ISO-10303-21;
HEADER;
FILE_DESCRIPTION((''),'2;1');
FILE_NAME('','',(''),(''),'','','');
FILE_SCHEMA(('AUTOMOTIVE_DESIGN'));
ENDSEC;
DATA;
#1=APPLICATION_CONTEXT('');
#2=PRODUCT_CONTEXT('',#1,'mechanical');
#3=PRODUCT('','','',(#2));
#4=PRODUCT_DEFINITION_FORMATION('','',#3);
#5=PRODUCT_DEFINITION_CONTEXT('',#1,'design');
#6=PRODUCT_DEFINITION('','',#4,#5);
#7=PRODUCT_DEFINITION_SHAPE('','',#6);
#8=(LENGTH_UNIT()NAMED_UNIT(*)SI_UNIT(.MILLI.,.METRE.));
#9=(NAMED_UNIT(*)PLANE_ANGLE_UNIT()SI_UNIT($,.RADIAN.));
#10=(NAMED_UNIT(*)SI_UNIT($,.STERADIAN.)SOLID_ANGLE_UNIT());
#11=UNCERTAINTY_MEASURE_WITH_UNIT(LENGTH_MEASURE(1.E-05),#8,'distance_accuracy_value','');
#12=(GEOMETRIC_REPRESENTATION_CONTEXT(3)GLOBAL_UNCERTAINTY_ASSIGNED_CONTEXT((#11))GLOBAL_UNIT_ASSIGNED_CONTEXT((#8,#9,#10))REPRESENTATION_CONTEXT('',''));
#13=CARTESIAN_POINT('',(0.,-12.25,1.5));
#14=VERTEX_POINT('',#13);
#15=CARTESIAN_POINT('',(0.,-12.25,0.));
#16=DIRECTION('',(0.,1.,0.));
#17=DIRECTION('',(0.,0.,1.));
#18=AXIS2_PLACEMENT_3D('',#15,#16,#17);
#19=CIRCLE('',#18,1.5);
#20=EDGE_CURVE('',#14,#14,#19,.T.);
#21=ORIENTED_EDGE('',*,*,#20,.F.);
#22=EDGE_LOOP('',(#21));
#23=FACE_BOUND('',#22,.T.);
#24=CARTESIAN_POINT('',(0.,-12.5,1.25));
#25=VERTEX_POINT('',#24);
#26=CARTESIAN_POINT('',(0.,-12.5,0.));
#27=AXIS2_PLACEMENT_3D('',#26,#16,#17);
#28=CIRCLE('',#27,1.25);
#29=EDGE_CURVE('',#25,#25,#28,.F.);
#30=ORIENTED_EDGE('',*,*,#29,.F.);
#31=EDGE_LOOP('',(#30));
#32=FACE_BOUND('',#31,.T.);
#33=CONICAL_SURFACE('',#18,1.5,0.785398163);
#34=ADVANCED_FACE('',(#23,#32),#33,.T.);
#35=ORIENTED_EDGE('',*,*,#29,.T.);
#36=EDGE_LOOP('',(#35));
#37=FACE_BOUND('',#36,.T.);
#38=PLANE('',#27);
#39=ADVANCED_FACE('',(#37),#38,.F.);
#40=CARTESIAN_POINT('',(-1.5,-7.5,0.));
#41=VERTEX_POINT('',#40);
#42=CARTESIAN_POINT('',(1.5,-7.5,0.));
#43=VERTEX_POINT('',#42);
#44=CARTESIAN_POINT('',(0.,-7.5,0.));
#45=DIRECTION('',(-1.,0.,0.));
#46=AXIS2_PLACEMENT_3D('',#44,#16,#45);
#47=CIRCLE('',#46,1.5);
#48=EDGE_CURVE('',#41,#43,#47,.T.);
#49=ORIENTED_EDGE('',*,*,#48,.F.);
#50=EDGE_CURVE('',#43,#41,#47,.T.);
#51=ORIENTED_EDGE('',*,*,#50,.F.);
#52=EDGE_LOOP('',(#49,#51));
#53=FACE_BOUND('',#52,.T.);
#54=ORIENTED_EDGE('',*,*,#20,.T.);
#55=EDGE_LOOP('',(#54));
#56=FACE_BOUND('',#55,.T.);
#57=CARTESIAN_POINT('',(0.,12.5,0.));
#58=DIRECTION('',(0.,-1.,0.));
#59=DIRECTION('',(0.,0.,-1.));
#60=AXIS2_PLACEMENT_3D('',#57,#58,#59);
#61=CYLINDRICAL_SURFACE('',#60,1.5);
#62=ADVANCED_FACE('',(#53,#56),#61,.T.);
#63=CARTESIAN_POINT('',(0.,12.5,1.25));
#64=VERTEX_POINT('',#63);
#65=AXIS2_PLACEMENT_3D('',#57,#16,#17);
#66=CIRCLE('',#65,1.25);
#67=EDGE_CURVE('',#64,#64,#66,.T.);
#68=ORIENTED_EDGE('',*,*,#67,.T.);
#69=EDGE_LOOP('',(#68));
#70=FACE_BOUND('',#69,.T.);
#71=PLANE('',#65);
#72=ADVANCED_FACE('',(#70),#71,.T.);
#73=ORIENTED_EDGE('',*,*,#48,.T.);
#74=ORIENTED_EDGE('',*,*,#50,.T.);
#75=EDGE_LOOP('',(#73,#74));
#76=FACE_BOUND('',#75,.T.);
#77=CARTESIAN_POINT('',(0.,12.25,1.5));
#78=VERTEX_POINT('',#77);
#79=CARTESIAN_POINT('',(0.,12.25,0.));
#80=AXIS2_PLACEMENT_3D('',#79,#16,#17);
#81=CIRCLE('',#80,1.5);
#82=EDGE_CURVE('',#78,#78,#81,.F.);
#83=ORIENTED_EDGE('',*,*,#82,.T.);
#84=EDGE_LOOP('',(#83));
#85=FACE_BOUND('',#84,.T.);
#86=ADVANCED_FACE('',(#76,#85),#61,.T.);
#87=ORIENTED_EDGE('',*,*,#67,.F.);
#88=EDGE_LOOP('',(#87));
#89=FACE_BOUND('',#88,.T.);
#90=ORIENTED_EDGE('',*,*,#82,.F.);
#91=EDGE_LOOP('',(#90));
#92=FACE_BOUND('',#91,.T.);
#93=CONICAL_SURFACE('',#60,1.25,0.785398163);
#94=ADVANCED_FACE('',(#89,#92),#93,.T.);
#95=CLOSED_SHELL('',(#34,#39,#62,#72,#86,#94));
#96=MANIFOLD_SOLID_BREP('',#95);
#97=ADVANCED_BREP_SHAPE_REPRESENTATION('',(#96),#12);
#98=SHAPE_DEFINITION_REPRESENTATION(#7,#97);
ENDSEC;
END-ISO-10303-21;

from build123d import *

# Parameters (mm, degrees)
SKETCH1_R           = 1.5
BOSS_EXTRUDE1_DEPTH = 12.5
CHAMFER1_SIZE       = 0.25


with BuildPart() as part:
    # Sketch1 → Boss-Extrude1 (new, symmetric)
    with BuildSketch(Plane(origin=(0, 0, 0), x_dir=(1, 0, 0), z_dir=(0, 1, 0))):
        with Locations(Location((0, 0, 0), (0, 0, 270))):
            Circle(SKETCH1_R)
    extrude(amount=BOSS_EXTRUDE1_DEPTH, both=True)

    # Chamfer1
    chamfer1_edges = [part.edges().sort_by_distance(p)[0] for p in [
        (0, -12.5, -1.5),
        (0, 12.5, -1.5),
    ]]
    chamfer(chamfer1_edges, length=CHAMFER1_SIZE)


solid = part.part
